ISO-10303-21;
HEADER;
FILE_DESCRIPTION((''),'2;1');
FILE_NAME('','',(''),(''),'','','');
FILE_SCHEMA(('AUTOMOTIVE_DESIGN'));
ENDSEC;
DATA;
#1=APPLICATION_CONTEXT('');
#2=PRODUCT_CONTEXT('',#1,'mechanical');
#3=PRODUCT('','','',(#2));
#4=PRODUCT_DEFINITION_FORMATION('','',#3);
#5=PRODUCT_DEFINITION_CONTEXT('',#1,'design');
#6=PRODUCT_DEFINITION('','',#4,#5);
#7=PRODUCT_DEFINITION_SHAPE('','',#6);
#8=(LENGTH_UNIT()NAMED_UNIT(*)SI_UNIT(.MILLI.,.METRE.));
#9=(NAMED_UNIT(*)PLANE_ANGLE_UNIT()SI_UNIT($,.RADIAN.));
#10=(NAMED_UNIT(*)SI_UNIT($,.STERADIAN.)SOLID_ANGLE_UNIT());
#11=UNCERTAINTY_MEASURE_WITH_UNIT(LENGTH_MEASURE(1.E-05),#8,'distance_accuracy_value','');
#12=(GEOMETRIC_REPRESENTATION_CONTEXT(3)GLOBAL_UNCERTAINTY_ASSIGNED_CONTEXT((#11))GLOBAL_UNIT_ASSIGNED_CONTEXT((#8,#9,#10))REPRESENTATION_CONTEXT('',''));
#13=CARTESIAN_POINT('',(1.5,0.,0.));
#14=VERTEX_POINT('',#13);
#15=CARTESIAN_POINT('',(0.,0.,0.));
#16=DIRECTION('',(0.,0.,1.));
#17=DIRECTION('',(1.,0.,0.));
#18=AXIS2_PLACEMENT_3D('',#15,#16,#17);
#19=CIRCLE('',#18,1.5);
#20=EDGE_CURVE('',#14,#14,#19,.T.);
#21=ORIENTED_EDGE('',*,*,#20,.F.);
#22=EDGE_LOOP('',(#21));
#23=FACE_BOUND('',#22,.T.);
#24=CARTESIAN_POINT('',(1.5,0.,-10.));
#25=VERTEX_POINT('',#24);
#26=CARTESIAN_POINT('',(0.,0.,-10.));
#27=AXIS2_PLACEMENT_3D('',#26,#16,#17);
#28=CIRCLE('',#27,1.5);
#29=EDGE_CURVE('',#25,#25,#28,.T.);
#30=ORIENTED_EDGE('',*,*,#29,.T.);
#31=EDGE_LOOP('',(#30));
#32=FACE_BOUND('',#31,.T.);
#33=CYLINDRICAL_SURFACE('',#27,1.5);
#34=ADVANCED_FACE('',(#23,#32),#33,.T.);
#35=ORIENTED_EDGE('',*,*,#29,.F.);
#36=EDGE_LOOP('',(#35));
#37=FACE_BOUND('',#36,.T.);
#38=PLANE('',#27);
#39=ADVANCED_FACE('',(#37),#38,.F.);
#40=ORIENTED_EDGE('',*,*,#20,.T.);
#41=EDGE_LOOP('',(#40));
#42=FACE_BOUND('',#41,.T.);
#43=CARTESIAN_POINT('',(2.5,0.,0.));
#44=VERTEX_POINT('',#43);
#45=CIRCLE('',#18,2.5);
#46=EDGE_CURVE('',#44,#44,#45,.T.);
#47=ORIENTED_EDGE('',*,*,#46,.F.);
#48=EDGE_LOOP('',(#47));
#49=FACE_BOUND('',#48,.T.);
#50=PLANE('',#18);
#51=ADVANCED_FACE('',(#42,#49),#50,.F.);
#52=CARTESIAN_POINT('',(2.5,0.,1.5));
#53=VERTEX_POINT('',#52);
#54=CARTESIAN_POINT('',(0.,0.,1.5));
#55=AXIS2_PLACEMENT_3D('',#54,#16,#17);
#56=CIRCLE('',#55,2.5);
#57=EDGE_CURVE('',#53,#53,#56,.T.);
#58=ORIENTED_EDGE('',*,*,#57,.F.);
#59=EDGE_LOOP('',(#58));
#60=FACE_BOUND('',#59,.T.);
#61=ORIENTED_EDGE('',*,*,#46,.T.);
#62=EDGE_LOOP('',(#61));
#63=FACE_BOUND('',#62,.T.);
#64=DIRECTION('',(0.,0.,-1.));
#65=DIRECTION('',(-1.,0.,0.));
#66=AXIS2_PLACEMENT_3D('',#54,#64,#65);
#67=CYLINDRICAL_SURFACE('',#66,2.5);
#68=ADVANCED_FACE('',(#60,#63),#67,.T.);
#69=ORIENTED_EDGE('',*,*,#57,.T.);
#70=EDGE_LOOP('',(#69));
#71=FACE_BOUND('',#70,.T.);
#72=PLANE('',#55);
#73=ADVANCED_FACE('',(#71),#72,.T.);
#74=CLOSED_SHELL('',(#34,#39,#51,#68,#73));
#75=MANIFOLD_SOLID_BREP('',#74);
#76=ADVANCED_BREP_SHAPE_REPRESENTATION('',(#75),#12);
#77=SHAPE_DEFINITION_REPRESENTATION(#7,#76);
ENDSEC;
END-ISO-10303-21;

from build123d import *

# Parameters (mm, degrees)
CROQUIS1_R              = 2.5
SALIENTE_EXTRUIR1_DEPTH = 1.5
CROQUIS1_3_R            = 1.5
SALIENTE_EXTRUIR2_DEPTH = 10


with BuildPart() as part:
    # Croquis1 → Saliente-Extruir1 (new body)
    with BuildSketch(Plane.XY):
        Circle(CROQUIS1_R)
    extrude(amount=SALIENTE_EXTRUIR1_DEPTH)

    # Croquis1<3> → Saliente-Extruir2 (add)
    with BuildSketch(Plane.XY):
        Circle(CROQUIS1_3_R)
    extrude(amount=-SALIENTE_EXTRUIR2_DEPTH)


solid = part.part
